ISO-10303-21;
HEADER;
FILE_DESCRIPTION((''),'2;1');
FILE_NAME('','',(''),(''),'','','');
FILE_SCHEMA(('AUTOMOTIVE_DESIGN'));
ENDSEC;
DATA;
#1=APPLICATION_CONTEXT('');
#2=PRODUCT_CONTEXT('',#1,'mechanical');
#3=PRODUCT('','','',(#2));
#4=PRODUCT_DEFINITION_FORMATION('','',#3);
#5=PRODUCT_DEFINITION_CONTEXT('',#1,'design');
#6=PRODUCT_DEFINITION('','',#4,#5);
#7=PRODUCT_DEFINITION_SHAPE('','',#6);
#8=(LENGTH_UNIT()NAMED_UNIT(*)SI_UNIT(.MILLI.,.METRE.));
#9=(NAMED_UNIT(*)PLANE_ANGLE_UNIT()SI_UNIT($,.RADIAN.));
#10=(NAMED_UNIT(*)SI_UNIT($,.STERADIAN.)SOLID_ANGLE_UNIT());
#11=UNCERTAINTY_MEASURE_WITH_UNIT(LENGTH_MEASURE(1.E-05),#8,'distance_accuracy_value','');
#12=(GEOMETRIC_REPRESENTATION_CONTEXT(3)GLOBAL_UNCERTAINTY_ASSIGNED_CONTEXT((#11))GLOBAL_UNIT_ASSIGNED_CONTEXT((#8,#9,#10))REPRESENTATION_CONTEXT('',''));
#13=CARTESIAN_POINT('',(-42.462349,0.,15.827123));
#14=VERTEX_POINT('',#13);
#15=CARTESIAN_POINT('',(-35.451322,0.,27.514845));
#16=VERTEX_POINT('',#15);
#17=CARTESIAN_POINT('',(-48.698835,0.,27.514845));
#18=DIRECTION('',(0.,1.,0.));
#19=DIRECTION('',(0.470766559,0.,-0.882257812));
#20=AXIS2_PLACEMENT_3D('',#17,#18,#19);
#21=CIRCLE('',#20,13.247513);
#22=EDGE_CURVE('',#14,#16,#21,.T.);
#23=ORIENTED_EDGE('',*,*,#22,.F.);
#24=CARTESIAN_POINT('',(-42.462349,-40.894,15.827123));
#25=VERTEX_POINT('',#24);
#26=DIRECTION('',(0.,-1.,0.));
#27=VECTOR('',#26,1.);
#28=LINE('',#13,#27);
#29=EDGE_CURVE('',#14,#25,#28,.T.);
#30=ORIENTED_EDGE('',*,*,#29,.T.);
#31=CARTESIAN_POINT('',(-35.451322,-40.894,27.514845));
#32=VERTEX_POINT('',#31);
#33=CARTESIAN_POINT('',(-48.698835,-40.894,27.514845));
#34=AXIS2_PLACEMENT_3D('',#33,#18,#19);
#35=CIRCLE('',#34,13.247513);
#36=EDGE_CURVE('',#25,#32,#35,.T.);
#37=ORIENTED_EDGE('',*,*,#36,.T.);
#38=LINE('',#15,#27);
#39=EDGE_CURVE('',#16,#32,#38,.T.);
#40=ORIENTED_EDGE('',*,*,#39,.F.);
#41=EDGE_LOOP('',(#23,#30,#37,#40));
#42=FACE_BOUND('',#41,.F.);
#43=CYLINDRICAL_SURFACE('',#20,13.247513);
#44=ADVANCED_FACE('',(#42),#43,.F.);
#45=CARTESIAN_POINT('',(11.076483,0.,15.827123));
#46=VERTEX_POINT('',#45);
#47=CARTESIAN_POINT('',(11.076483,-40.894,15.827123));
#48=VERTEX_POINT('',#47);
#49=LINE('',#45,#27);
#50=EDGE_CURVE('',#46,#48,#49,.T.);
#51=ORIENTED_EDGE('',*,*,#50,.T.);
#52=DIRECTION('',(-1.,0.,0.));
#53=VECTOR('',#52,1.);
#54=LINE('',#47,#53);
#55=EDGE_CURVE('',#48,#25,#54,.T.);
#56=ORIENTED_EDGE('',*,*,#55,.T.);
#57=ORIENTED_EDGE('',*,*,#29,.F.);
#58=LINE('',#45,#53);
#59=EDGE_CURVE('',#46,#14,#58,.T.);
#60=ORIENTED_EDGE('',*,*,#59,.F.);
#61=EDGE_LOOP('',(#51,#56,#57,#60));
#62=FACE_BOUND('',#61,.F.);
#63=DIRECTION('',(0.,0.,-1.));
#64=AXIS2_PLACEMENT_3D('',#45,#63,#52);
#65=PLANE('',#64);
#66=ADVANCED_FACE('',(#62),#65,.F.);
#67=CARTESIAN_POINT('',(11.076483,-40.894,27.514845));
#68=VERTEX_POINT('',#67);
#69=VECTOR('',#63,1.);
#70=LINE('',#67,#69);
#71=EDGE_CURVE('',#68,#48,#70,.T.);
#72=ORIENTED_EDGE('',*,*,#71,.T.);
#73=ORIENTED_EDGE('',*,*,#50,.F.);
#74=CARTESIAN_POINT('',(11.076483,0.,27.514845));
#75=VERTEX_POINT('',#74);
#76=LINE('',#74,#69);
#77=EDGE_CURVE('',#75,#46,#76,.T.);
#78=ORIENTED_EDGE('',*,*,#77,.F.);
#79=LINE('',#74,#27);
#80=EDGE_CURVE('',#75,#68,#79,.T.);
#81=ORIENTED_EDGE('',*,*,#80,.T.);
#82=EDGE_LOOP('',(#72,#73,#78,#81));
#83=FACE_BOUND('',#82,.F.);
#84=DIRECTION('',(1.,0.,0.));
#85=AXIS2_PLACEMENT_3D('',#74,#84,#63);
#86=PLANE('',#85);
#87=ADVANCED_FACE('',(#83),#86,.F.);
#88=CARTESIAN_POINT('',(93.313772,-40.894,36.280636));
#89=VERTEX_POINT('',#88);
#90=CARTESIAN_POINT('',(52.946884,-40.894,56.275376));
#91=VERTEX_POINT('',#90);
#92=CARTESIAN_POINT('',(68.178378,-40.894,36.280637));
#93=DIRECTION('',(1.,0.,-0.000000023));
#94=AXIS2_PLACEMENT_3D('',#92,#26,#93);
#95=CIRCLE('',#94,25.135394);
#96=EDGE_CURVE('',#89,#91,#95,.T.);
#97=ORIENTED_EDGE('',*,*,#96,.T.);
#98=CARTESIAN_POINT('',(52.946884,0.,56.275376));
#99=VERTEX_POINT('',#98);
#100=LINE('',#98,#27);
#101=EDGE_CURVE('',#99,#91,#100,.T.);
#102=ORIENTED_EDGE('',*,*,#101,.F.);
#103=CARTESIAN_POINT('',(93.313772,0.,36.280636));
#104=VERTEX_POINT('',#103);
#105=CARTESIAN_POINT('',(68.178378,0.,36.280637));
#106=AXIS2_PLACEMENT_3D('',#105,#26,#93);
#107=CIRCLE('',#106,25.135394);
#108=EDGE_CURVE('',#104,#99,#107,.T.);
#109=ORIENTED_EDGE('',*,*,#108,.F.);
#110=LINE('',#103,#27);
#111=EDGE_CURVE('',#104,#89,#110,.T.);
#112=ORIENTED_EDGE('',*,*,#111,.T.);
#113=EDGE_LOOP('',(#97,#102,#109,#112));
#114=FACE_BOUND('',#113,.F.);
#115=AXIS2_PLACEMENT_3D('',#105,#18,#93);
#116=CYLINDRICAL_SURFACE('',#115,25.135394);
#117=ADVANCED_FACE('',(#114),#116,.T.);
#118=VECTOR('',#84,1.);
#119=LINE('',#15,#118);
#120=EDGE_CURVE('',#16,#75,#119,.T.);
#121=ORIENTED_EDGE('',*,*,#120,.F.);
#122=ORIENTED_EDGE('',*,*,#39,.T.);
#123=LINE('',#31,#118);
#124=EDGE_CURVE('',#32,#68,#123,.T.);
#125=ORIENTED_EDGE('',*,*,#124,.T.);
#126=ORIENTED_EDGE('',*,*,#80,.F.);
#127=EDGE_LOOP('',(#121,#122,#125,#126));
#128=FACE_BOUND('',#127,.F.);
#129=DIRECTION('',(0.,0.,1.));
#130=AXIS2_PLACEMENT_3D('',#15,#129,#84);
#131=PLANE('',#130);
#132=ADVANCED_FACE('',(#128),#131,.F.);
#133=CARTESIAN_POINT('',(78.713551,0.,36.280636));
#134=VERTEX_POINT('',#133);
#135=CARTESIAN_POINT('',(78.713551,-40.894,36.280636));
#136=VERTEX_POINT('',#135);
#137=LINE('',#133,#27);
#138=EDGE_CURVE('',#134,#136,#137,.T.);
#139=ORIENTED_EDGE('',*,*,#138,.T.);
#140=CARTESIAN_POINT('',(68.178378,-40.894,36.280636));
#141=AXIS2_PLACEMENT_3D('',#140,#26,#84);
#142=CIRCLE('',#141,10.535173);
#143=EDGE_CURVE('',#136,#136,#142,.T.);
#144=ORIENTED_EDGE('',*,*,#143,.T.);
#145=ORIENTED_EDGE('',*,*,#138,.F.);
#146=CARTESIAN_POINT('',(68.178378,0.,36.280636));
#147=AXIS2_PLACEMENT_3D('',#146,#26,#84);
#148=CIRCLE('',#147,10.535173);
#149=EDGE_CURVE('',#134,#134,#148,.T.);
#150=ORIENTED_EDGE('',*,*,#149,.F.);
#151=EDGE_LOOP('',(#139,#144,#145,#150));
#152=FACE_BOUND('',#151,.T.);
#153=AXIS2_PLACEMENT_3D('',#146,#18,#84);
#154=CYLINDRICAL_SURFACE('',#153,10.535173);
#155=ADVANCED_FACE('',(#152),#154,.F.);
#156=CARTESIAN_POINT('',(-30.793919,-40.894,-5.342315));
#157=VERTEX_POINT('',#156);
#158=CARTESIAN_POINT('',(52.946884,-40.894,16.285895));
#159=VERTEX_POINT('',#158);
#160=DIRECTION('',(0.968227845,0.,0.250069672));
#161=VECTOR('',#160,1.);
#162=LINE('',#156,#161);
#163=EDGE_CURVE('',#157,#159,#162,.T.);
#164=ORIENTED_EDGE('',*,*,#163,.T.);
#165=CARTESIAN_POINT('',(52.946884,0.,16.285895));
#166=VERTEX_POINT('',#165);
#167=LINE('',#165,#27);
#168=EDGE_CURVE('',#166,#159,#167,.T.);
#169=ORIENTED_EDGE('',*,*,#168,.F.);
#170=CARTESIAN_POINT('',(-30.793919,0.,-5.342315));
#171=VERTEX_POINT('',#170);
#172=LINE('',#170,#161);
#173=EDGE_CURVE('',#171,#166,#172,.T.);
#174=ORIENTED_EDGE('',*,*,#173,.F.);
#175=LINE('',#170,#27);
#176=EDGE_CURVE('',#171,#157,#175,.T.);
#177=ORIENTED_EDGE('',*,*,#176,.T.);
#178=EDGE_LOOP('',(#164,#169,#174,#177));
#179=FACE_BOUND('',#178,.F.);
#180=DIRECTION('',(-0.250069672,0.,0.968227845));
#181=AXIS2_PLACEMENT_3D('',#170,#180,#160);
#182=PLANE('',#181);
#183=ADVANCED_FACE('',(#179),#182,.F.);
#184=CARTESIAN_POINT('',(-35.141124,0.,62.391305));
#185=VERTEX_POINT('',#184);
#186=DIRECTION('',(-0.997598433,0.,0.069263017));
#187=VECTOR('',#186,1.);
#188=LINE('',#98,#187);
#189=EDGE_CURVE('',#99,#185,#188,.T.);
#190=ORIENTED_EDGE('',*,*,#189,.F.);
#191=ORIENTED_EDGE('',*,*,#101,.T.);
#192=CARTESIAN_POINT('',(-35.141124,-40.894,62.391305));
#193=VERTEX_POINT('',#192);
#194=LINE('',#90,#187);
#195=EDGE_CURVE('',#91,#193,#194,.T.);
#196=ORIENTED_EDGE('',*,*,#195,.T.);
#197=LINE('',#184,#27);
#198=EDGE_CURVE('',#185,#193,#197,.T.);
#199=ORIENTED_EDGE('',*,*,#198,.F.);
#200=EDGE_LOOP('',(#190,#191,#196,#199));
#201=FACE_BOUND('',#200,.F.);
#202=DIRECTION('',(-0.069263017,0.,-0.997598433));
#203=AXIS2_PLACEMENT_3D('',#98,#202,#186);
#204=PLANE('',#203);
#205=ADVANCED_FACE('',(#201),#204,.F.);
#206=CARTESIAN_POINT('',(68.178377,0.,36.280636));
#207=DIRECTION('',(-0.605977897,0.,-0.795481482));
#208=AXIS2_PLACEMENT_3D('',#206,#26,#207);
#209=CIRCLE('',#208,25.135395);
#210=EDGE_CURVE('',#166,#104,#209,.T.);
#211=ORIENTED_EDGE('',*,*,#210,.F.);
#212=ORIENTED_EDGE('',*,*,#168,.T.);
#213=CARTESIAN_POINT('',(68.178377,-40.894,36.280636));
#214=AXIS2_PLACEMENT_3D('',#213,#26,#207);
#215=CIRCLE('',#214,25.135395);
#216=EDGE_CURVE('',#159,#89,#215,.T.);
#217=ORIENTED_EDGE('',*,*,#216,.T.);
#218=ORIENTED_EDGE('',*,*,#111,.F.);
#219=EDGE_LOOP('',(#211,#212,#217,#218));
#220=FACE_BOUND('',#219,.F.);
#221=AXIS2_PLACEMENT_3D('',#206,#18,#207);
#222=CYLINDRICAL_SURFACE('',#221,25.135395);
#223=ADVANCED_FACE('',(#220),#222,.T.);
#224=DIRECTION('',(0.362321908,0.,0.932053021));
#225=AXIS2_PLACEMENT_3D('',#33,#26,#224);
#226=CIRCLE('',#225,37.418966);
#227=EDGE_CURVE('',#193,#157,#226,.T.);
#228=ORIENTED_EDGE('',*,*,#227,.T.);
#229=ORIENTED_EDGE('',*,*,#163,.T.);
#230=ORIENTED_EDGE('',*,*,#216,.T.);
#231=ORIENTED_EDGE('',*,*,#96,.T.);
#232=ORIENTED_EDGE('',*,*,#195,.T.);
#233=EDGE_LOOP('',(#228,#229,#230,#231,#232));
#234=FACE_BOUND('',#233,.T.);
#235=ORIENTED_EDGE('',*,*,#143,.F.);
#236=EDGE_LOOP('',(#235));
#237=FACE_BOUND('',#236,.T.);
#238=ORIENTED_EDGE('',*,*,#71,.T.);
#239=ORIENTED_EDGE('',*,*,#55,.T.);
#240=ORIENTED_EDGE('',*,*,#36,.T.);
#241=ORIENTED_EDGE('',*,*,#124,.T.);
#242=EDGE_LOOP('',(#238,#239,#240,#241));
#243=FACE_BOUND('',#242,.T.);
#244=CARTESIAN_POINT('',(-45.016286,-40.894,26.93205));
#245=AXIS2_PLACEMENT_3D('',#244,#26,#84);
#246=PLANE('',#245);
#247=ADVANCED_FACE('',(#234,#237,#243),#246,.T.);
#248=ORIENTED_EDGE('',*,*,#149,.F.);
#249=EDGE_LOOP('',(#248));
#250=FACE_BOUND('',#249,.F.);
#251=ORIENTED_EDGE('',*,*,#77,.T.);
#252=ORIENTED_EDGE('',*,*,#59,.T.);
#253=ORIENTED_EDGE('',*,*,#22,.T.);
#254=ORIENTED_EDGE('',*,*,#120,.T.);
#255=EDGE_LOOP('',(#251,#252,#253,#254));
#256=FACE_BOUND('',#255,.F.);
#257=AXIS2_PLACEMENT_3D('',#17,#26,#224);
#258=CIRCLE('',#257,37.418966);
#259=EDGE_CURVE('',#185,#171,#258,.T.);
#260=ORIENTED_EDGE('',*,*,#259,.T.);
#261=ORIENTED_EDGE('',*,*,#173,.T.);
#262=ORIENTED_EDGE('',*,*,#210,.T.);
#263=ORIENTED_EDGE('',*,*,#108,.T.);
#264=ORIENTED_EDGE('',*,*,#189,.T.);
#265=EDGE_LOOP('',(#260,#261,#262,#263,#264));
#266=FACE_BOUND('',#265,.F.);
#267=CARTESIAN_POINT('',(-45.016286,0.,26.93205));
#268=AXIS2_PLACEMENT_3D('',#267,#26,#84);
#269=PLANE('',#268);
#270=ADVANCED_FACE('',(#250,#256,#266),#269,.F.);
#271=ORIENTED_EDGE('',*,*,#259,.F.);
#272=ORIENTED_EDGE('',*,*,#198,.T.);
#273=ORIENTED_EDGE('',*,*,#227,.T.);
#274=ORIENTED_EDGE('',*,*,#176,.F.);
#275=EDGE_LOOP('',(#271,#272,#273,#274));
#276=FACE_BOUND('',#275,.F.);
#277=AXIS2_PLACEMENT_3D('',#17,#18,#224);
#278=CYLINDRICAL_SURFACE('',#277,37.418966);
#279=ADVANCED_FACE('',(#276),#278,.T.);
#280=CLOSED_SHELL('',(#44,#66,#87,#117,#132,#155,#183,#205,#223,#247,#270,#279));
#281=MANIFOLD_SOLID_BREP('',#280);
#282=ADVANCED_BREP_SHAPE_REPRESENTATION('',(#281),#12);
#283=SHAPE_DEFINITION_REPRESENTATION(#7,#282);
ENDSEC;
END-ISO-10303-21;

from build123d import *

# Parameters (mm, degrees)
F0_R     = 10.535173
F1_DEPTH = 40.894


with BuildPart() as f1:
    # F0 (on Front) → F1 (new body)
    with BuildSketch(Plane.XZ):
        with BuildLine():
            Line((-35.451322, 27.514845), (-11.27987, 27.514845))
            ThreePointArc((-11.27987, 27.514845), (-17.816037, 48.643776), (-35.141124, 62.391305))
            ThreePointArc((-35.141124, 62.391305), (-86.04097, 25.118193), (-30.793919, -5.342315))
            ThreePointArc((-30.793919, -5.342315), (-19.953258, 3.559245), (-13.152019, 15.827123))
            Line((-13.152019, 15.827123), (-42.462349, 15.827123))
            ThreePointArc((-42.462349, 15.827123), (-60.059173, 34.329486), (-35.451322, 27.514845))
        make_face()
        with BuildLine():
            ThreePointArc((-35.141124, 62.391305), (-17.816037, 48.643776), (-11.27987, 27.514845))
            Line((-11.27987, 27.514845), (11.076483, 27.514845))
            Line((11.076483, 27.514845), (11.076483, 15.827123))
            Line((11.076483, 15.827123), (-13.152019, 15.827123))
            ThreePointArc((-13.152019, 15.827123), (-19.953258, 3.559245), (-30.793919, -5.342315))
            Line((-30.793919, -5.342315), (52.946884, 16.285895))
            ThreePointArc((52.946884, 16.285895), (43.042984, 36.280636), (52.946884, 56.275376))
            Line((52.946884, 56.275376), (-35.141124, 62.391305))
        make_face()
        with BuildLine():
            ThreePointArc((93.313772, 36.280636), (79.334956, 58.804375), (52.946884, 56.275376))
            ThreePointArc((52.946884, 56.275376), (43.042984, 36.280636), (52.946884, 16.285895))
            ThreePointArc((52.946884, 16.285895), (79.334956, 13.756897), (93.313772, 36.280636))
        make_face()
        with Locations((68.178378, 36.280636)):
            Circle(F0_R, mode=Mode.SUBTRACT)
    extrude(amount=F1_DEPTH)


solid = f1.part
